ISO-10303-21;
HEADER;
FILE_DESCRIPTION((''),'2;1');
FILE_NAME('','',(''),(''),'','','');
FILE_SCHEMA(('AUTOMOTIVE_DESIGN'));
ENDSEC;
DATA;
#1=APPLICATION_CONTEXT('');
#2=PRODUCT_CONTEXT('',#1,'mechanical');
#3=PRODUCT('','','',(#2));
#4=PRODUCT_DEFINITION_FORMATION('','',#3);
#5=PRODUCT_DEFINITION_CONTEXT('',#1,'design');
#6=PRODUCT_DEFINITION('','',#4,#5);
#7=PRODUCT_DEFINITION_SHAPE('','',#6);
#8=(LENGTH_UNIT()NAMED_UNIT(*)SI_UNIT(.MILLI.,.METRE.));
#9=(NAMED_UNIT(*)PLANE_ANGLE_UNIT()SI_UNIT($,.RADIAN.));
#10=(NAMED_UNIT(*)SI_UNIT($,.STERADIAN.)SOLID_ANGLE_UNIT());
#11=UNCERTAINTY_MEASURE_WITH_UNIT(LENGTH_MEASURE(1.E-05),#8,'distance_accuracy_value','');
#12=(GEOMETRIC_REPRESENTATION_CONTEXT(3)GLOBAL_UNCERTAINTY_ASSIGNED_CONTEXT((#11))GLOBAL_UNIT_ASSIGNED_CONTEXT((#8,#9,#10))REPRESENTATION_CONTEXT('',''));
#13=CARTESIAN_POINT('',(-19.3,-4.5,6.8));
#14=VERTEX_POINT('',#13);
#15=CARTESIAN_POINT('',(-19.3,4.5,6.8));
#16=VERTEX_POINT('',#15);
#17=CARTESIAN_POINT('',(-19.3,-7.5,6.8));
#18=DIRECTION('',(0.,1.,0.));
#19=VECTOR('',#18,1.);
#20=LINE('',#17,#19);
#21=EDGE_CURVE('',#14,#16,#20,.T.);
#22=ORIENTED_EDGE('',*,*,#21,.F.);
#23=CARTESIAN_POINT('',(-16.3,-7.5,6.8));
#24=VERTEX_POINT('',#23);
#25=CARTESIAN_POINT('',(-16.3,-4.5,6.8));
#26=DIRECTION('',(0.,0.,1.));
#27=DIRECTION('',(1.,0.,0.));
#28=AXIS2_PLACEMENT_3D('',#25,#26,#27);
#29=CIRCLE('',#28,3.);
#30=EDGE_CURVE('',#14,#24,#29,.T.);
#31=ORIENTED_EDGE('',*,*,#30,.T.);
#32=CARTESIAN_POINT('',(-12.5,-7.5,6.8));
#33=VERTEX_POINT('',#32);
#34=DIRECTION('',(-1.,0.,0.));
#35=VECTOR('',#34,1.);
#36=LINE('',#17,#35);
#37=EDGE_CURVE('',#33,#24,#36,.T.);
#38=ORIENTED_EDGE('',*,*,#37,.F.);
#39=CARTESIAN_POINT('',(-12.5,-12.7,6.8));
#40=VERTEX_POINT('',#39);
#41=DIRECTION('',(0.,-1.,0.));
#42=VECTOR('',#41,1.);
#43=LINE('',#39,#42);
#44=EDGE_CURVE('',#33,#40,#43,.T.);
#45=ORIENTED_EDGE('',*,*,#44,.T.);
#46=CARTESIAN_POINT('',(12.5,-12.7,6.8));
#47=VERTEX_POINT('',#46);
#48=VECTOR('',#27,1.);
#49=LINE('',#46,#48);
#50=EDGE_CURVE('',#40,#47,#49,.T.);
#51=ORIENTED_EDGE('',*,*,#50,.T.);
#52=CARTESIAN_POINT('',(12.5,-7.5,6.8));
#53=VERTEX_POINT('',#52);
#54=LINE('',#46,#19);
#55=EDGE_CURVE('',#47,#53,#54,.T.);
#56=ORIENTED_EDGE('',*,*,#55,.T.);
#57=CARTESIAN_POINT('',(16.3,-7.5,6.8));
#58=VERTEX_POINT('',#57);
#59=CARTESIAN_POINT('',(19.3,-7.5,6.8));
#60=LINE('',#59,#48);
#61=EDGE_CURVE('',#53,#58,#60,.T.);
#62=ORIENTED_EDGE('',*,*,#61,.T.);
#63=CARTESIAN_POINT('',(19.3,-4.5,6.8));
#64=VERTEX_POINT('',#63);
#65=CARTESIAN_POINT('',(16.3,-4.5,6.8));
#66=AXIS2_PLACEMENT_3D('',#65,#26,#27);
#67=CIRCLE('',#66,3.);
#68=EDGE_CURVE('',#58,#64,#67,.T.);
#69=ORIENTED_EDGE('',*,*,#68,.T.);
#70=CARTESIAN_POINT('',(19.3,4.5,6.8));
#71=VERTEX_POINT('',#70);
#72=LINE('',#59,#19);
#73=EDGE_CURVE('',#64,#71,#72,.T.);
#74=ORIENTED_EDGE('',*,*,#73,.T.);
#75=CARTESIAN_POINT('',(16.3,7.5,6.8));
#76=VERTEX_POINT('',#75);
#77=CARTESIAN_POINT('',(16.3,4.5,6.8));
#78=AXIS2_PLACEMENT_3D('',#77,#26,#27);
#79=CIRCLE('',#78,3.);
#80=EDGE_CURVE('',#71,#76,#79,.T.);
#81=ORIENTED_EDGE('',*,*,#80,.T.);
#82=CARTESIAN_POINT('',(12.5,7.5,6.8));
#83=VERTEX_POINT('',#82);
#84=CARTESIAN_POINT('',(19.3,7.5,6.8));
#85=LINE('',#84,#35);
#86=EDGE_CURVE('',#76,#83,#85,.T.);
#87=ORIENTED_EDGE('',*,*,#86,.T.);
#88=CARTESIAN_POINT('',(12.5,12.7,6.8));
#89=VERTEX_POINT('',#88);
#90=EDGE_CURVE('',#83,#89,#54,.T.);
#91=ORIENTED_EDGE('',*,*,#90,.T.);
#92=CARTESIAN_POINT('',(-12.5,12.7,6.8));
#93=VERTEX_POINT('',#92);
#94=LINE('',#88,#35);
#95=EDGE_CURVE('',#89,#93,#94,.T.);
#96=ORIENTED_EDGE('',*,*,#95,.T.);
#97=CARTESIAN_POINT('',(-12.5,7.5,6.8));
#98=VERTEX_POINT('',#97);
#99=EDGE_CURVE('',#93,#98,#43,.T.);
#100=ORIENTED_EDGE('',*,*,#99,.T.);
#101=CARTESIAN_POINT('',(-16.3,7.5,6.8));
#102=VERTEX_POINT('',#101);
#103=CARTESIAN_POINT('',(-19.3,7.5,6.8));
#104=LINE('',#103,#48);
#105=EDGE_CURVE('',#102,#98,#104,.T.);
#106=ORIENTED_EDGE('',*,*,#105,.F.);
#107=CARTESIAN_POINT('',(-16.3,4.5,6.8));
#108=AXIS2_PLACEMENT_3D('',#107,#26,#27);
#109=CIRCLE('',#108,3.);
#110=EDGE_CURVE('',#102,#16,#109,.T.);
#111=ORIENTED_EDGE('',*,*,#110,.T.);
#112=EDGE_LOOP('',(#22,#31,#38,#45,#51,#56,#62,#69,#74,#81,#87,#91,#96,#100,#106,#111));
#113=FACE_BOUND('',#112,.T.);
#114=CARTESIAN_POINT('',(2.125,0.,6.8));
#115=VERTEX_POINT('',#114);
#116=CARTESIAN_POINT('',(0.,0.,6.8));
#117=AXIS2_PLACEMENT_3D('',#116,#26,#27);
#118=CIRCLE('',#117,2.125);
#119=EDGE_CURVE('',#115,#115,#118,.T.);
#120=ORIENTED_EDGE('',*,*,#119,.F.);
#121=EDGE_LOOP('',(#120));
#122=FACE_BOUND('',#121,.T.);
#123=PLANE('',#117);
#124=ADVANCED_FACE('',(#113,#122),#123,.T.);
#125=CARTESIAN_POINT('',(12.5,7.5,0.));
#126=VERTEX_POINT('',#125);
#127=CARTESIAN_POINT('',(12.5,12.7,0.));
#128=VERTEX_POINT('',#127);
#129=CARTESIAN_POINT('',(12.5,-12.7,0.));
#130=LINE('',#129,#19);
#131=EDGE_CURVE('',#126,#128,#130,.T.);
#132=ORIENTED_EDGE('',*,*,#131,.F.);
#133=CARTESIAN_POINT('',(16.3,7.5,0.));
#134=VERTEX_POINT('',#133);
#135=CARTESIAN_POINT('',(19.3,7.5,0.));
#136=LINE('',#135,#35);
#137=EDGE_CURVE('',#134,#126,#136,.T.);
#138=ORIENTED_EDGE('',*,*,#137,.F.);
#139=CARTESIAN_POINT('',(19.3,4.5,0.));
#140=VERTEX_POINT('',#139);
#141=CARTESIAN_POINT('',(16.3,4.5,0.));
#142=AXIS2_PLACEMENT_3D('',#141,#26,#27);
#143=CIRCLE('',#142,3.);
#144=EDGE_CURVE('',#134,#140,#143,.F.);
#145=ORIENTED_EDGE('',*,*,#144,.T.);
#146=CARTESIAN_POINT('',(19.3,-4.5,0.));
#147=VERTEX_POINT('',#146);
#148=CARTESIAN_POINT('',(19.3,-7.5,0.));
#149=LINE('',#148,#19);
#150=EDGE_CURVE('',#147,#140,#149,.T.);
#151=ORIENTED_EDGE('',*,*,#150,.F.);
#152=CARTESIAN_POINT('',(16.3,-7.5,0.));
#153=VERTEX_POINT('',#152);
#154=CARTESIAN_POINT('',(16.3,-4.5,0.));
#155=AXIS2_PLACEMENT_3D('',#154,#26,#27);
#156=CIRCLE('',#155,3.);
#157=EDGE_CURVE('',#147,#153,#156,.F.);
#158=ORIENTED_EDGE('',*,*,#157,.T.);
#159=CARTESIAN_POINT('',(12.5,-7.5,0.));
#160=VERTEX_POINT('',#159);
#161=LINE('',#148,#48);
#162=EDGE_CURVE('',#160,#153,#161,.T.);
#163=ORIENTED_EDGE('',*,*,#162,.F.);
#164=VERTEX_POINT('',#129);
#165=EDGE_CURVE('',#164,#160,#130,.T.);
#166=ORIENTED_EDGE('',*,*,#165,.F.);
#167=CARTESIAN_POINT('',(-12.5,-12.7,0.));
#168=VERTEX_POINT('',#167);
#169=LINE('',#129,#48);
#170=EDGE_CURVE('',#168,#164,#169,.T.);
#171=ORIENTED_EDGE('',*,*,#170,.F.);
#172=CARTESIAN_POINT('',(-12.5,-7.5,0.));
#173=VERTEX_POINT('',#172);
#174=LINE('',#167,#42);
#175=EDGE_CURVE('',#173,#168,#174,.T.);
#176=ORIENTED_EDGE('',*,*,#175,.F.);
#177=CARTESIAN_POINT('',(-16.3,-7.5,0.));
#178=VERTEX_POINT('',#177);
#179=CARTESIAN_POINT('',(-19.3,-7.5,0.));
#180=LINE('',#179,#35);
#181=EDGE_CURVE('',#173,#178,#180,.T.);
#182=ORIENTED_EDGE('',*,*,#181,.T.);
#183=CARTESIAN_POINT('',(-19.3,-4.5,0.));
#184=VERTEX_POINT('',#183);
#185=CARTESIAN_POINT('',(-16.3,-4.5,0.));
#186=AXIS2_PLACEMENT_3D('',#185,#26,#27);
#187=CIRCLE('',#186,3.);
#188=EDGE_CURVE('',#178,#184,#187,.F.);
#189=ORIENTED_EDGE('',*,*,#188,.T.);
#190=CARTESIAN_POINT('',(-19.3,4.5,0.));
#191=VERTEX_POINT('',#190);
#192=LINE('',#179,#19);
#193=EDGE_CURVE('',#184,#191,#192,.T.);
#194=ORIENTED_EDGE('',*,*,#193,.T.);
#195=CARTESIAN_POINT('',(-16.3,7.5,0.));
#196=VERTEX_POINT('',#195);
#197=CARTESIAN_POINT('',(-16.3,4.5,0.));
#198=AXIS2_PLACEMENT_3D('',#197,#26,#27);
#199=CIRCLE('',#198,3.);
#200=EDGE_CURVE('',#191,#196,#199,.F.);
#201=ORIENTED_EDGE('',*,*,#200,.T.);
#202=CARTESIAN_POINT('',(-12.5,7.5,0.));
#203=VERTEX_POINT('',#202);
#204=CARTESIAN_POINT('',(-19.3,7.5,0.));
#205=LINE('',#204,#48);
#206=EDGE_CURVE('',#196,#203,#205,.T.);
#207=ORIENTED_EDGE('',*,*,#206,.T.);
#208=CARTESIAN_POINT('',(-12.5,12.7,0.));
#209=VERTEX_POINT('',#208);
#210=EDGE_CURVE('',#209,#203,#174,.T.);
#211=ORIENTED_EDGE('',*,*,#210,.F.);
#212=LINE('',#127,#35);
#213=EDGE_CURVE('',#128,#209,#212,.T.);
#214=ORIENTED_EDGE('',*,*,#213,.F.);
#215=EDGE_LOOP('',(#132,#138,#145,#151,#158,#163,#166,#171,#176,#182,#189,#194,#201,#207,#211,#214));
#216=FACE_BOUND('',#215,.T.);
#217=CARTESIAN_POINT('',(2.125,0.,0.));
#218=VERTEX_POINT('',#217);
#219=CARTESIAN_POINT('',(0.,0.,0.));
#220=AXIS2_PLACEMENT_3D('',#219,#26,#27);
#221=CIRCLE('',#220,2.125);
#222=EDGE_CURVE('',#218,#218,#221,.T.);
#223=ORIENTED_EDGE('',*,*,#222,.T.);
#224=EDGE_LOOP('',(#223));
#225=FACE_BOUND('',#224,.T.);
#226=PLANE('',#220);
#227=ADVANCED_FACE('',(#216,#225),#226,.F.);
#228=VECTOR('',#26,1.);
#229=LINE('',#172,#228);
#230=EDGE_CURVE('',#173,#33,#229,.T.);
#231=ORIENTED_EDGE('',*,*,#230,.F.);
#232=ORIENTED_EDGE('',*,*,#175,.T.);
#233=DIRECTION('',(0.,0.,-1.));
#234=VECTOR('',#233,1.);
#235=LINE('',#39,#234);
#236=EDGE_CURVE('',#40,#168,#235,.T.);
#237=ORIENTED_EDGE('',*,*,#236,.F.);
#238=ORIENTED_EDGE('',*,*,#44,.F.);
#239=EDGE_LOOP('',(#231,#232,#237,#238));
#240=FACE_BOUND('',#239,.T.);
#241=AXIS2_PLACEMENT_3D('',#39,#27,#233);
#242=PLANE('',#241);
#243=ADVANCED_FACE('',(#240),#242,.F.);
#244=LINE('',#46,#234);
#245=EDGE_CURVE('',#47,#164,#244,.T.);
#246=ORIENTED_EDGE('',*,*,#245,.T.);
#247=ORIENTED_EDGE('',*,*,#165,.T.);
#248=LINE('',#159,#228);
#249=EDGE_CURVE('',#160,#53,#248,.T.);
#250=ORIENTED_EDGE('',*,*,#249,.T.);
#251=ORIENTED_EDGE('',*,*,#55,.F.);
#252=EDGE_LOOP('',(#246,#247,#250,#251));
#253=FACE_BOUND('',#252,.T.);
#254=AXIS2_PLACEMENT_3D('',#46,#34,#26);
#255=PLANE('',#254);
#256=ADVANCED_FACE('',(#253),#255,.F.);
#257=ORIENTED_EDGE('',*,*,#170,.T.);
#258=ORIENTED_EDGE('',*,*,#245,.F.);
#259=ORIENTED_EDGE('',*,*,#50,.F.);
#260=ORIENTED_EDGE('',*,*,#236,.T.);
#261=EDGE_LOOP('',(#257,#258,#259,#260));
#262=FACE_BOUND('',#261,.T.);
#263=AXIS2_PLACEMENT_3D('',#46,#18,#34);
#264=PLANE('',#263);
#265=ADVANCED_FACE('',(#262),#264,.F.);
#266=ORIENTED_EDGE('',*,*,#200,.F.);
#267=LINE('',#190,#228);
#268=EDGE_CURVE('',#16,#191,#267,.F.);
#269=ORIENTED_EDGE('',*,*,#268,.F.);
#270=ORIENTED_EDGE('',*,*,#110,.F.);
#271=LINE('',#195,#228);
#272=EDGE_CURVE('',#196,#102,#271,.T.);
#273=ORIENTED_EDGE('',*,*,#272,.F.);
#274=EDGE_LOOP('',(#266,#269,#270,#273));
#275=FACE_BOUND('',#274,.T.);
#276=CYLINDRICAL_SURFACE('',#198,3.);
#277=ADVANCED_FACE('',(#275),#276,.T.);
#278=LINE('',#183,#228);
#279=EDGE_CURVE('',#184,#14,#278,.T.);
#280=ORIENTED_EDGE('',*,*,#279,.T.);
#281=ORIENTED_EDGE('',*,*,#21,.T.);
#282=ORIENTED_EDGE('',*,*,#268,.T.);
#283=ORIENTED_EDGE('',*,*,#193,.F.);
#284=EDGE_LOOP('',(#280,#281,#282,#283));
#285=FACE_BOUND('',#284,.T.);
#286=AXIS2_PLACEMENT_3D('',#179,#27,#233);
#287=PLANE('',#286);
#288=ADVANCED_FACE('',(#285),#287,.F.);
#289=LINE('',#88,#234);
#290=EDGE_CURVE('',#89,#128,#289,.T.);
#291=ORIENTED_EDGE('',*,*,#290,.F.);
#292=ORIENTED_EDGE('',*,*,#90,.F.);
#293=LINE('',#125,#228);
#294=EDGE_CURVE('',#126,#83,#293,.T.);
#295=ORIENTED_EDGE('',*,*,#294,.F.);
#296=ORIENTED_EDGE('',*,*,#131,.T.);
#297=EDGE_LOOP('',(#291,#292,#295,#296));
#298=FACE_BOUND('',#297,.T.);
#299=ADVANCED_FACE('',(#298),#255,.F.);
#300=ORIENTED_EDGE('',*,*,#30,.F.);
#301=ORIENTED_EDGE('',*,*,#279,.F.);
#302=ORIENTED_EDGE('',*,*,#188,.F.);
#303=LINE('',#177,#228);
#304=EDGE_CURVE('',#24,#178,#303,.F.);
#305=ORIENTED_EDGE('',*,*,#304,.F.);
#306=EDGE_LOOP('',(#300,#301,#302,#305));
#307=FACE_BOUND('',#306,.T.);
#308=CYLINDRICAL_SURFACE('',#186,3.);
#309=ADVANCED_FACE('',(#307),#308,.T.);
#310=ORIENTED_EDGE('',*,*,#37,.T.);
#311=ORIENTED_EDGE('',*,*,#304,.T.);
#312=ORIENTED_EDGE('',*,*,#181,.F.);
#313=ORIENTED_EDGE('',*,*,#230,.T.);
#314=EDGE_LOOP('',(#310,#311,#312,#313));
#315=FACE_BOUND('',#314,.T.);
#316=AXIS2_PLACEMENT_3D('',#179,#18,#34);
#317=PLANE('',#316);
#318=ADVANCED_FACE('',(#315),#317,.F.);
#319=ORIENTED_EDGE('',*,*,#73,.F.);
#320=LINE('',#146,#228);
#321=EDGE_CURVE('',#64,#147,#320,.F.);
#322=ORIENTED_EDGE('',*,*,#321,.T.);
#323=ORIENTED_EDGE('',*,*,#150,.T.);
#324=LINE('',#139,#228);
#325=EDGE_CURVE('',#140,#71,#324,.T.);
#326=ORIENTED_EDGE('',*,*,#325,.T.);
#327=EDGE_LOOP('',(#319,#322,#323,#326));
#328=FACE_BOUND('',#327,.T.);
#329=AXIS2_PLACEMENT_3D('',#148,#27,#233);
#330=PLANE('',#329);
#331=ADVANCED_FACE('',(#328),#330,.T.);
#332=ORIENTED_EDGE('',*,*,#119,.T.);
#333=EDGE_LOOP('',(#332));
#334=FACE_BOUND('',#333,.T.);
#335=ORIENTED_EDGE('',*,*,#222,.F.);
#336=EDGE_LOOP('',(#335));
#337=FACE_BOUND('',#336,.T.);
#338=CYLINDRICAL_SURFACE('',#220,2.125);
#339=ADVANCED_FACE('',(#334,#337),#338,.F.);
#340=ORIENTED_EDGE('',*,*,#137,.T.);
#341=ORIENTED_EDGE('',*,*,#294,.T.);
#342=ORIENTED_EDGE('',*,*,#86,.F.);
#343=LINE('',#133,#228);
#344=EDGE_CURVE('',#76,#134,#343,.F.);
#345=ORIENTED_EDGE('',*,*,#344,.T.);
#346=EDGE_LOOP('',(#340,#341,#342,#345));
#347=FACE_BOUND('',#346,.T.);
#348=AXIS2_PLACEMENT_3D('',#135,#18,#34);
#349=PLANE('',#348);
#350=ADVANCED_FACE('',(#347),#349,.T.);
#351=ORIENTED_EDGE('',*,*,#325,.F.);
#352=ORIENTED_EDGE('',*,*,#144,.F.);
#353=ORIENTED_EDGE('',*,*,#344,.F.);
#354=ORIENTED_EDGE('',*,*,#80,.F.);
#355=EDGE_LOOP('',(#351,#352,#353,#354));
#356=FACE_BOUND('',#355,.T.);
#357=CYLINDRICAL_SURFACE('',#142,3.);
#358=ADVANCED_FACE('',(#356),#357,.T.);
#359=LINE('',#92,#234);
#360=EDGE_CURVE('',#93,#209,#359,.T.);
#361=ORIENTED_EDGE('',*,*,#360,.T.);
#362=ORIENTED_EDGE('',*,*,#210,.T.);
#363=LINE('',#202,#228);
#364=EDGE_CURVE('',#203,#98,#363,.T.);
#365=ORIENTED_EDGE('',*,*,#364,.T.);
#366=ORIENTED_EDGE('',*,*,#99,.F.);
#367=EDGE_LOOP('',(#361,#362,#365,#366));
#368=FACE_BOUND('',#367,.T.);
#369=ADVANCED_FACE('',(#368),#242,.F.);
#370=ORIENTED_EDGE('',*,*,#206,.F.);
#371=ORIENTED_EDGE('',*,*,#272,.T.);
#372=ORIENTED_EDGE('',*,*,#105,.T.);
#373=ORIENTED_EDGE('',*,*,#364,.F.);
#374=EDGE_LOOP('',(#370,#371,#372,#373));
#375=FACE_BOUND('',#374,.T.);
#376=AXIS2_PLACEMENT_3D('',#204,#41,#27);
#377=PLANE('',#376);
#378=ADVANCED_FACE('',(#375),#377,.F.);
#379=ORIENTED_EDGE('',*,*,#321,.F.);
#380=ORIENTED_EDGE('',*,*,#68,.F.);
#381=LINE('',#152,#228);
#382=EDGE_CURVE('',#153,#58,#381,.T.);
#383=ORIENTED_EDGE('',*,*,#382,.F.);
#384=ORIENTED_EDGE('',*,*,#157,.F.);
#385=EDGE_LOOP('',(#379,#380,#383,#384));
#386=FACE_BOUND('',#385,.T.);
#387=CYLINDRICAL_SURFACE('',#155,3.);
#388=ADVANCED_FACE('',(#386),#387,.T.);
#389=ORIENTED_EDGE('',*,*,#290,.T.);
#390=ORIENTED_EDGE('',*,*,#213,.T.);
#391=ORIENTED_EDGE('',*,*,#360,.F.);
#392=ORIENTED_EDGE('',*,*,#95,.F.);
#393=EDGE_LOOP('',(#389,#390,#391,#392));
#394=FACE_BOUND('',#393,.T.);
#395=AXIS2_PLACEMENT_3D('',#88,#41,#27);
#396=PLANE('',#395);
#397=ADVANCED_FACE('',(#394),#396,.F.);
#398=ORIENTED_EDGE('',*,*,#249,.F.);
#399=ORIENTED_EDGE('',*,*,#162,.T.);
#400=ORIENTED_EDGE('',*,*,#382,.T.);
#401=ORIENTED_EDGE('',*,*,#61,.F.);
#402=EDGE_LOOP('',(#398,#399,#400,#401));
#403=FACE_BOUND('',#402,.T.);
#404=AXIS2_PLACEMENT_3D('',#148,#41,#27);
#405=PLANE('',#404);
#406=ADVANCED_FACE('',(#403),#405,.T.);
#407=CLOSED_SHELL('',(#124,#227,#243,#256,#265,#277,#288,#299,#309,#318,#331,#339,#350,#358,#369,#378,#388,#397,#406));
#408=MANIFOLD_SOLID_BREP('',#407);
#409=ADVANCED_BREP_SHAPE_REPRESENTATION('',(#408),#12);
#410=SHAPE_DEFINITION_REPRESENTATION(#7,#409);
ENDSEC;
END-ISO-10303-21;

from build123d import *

# Parameters (mm, degrees)
SKETCH1_W            = 25
SKETCH1_H            = 25.4
BOSS_EXTRUDE1_DEPTH  = 6.8
SKETCH2_W            = 6.8
SKETCH2_H            = 15
BOSS_EXTRUDE2_DEPTH  = 6.8
FILLET1_R            = 3
FILLET1_OF_MIRROR1_R = 3
SKETCH3_R            = 2.125
CUT_EXTRUDE1_DEPTH   = 6.8


with BuildPart() as part:
    # Sketch1 → Boss-Extrude1 (new body)
    with BuildSketch(Plane.XY):
        Rectangle(SKETCH1_W, SKETCH1_H)
    extrude(amount=BOSS_EXTRUDE1_DEPTH)

    # Sketch2 → Boss-Extrude2 (add)
    with BuildSketch(Plane.XY.offset(6.8)):
        with Locations((15.9, 0)):
            Rectangle(SKETCH2_W, SKETCH2_H)
    boss_extrude2 = extrude(amount=-BOSS_EXTRUDE2_DEPTH)

    # Fillet1
    fillet1_edges = [part.edges().sort_by_distance(p)[0] for p in [
        (19.3, 7.5, 3.4),
        (19.3, -7.5, 3.4),
    ]]
    fillet(fillet1_edges, radius=FILLET1_R)

    # Mirror1: Boss-Extrude2 across plane
    add(boss_extrude2.mirror(Plane(origin=(0, 0, 0), x_dir=(0, 0, 1), z_dir=(1, 0, 0))))

    # Fillet1 of Mirror1
    fillet1_of_mirror1_edges = [part.edges().sort_by_distance(p)[0] for p in [
        (-19.3, 7.5, 3.4),
        (-19.3, -7.5, 3.4),
    ]]
    fillet(fillet1_of_mirror1_edges, radius=FILLET1_OF_MIRROR1_R)

    # Sketch3 → Cut-Extrude1 (cut)
    with BuildSketch(Plane.XY.offset(6.8)):
        Circle(SKETCH3_R)
    extrude(amount=-CUT_EXTRUDE1_DEPTH, mode=Mode.SUBTRACT)


solid = part.part
